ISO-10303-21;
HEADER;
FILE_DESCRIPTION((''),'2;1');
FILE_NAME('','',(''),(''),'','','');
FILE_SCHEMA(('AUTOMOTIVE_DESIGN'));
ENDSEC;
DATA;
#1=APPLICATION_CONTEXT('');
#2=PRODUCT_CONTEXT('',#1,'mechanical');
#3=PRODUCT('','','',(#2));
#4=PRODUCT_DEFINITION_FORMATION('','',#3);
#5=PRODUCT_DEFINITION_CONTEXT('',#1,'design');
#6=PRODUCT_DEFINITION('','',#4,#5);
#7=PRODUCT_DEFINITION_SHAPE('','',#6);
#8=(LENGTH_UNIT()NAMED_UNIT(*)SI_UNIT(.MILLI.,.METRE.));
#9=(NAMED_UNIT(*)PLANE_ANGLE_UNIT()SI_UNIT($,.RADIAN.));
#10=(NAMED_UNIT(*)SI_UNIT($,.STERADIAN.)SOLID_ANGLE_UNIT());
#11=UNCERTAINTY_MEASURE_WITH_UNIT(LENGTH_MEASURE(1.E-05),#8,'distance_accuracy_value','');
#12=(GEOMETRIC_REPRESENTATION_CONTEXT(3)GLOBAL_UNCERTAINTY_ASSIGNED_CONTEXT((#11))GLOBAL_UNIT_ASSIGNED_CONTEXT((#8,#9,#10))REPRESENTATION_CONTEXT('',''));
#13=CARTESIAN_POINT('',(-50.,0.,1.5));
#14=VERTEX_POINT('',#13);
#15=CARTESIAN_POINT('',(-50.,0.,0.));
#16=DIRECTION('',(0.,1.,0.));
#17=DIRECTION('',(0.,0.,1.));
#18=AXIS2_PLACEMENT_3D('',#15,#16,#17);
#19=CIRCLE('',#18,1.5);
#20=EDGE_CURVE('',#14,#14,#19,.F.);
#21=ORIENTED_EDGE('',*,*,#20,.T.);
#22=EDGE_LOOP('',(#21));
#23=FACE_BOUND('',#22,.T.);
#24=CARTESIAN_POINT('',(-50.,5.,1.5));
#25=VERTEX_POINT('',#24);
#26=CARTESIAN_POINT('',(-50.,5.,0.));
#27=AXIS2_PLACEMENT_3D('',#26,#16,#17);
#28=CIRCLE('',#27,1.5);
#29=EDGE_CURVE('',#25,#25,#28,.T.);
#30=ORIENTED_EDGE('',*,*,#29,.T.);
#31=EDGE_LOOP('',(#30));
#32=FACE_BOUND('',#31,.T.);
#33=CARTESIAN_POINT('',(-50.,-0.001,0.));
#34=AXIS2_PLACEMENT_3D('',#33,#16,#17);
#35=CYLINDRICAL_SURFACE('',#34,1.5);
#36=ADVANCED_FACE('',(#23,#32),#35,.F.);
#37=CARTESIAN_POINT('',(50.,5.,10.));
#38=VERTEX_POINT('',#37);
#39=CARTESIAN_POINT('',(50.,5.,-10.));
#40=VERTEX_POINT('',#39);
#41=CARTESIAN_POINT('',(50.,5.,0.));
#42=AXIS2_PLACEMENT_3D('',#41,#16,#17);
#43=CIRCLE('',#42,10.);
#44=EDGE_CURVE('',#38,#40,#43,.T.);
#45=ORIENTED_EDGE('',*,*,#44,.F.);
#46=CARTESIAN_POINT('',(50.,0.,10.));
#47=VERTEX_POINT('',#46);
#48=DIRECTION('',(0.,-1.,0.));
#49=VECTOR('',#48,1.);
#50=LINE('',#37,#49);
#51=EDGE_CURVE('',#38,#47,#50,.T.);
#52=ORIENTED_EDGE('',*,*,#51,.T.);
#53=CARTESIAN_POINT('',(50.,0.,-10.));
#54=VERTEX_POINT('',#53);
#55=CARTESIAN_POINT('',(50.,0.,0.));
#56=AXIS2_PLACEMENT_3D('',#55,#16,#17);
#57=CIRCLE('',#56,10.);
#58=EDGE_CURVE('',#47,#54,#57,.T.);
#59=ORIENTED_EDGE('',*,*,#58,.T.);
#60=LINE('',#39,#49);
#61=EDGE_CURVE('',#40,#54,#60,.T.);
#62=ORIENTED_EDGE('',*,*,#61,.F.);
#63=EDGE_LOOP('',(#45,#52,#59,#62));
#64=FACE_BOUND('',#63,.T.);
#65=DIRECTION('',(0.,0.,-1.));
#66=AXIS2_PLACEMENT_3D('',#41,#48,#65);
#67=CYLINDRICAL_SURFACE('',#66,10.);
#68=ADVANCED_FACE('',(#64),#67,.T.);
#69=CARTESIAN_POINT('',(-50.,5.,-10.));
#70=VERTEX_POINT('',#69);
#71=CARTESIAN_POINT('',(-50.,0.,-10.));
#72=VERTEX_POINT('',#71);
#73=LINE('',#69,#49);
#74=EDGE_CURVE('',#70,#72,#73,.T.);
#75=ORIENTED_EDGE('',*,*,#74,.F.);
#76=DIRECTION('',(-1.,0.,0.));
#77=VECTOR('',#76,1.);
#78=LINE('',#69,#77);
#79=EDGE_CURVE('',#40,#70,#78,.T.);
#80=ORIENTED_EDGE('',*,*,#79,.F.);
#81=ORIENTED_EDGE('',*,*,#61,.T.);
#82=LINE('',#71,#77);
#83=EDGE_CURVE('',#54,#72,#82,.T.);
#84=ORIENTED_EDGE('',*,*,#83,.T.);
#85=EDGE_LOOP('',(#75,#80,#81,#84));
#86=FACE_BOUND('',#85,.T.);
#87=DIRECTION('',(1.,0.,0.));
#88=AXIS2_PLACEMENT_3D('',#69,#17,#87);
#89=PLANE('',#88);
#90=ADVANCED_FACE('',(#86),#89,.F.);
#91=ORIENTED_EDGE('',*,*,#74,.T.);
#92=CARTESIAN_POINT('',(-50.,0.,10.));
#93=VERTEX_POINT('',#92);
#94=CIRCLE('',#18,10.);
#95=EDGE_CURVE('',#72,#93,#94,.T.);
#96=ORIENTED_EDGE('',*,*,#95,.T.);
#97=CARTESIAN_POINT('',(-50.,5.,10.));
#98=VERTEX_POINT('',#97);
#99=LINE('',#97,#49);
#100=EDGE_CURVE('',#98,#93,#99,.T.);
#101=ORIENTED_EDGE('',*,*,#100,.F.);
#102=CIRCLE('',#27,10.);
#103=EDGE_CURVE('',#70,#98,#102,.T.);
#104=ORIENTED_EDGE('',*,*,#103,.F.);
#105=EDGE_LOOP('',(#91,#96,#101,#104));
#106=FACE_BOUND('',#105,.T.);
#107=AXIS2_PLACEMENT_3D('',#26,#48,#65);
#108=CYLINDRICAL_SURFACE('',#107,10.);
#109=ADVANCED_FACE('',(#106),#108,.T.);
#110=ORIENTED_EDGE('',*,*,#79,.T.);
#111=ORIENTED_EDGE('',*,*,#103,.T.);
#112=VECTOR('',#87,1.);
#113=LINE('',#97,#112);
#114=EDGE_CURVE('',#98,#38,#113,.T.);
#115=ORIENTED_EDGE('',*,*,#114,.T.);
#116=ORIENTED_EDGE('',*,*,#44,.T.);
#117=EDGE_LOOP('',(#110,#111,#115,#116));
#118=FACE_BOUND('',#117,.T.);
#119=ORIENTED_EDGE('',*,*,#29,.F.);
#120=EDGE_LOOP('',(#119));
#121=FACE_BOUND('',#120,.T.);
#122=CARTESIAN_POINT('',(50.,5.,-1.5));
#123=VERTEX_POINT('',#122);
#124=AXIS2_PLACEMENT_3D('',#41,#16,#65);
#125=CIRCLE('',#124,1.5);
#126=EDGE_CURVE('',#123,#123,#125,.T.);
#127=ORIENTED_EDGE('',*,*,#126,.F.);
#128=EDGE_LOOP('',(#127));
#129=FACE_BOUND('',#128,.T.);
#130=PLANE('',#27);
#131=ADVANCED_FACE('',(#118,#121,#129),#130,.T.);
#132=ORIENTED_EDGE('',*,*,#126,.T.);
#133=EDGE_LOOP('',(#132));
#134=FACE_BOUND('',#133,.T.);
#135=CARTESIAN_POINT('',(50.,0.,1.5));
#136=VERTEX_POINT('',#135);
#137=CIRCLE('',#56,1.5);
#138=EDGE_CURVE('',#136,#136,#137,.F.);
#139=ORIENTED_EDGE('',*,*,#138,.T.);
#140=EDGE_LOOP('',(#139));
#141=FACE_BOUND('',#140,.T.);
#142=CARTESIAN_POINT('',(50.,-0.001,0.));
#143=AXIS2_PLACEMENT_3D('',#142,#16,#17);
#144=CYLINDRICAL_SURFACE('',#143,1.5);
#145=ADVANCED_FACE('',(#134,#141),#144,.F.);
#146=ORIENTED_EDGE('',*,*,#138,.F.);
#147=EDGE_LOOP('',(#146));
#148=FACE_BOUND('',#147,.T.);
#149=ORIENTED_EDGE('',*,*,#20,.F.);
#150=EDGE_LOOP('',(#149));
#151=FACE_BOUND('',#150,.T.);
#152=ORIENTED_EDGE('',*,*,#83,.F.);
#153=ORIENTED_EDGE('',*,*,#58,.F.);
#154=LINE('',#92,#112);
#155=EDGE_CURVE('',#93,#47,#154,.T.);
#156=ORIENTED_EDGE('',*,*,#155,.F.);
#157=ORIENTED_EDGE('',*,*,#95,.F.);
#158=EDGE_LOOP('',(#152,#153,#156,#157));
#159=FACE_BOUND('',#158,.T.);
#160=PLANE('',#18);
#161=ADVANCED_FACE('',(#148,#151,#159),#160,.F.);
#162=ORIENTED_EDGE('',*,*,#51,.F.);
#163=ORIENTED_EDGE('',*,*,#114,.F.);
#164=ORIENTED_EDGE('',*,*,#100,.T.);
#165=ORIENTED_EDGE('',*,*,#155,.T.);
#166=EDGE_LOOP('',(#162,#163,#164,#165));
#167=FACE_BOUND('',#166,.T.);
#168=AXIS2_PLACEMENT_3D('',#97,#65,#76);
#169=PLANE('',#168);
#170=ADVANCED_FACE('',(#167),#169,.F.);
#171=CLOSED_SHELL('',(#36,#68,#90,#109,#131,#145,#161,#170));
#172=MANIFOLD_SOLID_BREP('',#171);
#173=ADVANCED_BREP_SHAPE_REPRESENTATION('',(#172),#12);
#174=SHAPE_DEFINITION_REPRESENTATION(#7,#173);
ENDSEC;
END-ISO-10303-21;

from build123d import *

# Parameters (mm, degrees)
BOSS_EXTRUDE1_DEPTH = 5
CUT_EXTRUDE1_REACH  = 63.033
SKETCH2_R           = 1.5


with BuildPart() as part:
    # Sketch1 → Boss-Extrude1 (new body)
    with BuildSketch(Plane(origin=(0, 0, 0), x_dir=(1, 0, 0), z_dir=(0, 1, 0))):
        with BuildLine():
            Line((-50, 10), (50, 10))
            ThreePointArc((50, 10), (60, 0), (50, -10))
            Line((50, -10), (-50, -10))
            ThreePointArc((-50, -10), (-60, 0), (-50, 10))
        make_face()
    extrude(amount=BOSS_EXTRUDE1_DEPTH)

    # Sketch2 → Cut-Extrude1 (cut, up to next)
    with BuildSketch(Plane(origin=(0, 5, 0), x_dir=(1, 0, 0), z_dir=(0, 1, 0)), mode=Mode.PRIVATE) as cut_extrude1_sk1:
        with Locations(Location((-50, 0, 0), (0, 0, 270))):
            Circle(SKETCH2_R)
    cut_extrude1_tool1 = extrude(cut_extrude1_sk1.sketch, amount=-CUT_EXTRUDE1_REACH, mode=Mode.PRIVATE) & part.part
    # Sketch2 → Cut-Extrude1 (cut, up to next)
    with BuildSketch(Plane(origin=(0, 5, 0), x_dir=(1, 0, 0), z_dir=(0, 1, 0)), mode=Mode.PRIVATE) as cut_extrude1_sk2:
        with Locations(Location((50, 0, 0), (0, 0, 270))):
            Circle(SKETCH2_R)
    cut_extrude1_tool2 = extrude(cut_extrude1_sk2.sketch, amount=-CUT_EXTRUDE1_REACH, mode=Mode.PRIVATE) & part.part
    add(cut_extrude1_tool1.solids().sort_by_distance((-50, 5, 0))[0], mode=Mode.SUBTRACT)
    add(cut_extrude1_tool2.solids().sort_by_distance((50, 5, 0))[0], mode=Mode.SUBTRACT)


solid = part.part
